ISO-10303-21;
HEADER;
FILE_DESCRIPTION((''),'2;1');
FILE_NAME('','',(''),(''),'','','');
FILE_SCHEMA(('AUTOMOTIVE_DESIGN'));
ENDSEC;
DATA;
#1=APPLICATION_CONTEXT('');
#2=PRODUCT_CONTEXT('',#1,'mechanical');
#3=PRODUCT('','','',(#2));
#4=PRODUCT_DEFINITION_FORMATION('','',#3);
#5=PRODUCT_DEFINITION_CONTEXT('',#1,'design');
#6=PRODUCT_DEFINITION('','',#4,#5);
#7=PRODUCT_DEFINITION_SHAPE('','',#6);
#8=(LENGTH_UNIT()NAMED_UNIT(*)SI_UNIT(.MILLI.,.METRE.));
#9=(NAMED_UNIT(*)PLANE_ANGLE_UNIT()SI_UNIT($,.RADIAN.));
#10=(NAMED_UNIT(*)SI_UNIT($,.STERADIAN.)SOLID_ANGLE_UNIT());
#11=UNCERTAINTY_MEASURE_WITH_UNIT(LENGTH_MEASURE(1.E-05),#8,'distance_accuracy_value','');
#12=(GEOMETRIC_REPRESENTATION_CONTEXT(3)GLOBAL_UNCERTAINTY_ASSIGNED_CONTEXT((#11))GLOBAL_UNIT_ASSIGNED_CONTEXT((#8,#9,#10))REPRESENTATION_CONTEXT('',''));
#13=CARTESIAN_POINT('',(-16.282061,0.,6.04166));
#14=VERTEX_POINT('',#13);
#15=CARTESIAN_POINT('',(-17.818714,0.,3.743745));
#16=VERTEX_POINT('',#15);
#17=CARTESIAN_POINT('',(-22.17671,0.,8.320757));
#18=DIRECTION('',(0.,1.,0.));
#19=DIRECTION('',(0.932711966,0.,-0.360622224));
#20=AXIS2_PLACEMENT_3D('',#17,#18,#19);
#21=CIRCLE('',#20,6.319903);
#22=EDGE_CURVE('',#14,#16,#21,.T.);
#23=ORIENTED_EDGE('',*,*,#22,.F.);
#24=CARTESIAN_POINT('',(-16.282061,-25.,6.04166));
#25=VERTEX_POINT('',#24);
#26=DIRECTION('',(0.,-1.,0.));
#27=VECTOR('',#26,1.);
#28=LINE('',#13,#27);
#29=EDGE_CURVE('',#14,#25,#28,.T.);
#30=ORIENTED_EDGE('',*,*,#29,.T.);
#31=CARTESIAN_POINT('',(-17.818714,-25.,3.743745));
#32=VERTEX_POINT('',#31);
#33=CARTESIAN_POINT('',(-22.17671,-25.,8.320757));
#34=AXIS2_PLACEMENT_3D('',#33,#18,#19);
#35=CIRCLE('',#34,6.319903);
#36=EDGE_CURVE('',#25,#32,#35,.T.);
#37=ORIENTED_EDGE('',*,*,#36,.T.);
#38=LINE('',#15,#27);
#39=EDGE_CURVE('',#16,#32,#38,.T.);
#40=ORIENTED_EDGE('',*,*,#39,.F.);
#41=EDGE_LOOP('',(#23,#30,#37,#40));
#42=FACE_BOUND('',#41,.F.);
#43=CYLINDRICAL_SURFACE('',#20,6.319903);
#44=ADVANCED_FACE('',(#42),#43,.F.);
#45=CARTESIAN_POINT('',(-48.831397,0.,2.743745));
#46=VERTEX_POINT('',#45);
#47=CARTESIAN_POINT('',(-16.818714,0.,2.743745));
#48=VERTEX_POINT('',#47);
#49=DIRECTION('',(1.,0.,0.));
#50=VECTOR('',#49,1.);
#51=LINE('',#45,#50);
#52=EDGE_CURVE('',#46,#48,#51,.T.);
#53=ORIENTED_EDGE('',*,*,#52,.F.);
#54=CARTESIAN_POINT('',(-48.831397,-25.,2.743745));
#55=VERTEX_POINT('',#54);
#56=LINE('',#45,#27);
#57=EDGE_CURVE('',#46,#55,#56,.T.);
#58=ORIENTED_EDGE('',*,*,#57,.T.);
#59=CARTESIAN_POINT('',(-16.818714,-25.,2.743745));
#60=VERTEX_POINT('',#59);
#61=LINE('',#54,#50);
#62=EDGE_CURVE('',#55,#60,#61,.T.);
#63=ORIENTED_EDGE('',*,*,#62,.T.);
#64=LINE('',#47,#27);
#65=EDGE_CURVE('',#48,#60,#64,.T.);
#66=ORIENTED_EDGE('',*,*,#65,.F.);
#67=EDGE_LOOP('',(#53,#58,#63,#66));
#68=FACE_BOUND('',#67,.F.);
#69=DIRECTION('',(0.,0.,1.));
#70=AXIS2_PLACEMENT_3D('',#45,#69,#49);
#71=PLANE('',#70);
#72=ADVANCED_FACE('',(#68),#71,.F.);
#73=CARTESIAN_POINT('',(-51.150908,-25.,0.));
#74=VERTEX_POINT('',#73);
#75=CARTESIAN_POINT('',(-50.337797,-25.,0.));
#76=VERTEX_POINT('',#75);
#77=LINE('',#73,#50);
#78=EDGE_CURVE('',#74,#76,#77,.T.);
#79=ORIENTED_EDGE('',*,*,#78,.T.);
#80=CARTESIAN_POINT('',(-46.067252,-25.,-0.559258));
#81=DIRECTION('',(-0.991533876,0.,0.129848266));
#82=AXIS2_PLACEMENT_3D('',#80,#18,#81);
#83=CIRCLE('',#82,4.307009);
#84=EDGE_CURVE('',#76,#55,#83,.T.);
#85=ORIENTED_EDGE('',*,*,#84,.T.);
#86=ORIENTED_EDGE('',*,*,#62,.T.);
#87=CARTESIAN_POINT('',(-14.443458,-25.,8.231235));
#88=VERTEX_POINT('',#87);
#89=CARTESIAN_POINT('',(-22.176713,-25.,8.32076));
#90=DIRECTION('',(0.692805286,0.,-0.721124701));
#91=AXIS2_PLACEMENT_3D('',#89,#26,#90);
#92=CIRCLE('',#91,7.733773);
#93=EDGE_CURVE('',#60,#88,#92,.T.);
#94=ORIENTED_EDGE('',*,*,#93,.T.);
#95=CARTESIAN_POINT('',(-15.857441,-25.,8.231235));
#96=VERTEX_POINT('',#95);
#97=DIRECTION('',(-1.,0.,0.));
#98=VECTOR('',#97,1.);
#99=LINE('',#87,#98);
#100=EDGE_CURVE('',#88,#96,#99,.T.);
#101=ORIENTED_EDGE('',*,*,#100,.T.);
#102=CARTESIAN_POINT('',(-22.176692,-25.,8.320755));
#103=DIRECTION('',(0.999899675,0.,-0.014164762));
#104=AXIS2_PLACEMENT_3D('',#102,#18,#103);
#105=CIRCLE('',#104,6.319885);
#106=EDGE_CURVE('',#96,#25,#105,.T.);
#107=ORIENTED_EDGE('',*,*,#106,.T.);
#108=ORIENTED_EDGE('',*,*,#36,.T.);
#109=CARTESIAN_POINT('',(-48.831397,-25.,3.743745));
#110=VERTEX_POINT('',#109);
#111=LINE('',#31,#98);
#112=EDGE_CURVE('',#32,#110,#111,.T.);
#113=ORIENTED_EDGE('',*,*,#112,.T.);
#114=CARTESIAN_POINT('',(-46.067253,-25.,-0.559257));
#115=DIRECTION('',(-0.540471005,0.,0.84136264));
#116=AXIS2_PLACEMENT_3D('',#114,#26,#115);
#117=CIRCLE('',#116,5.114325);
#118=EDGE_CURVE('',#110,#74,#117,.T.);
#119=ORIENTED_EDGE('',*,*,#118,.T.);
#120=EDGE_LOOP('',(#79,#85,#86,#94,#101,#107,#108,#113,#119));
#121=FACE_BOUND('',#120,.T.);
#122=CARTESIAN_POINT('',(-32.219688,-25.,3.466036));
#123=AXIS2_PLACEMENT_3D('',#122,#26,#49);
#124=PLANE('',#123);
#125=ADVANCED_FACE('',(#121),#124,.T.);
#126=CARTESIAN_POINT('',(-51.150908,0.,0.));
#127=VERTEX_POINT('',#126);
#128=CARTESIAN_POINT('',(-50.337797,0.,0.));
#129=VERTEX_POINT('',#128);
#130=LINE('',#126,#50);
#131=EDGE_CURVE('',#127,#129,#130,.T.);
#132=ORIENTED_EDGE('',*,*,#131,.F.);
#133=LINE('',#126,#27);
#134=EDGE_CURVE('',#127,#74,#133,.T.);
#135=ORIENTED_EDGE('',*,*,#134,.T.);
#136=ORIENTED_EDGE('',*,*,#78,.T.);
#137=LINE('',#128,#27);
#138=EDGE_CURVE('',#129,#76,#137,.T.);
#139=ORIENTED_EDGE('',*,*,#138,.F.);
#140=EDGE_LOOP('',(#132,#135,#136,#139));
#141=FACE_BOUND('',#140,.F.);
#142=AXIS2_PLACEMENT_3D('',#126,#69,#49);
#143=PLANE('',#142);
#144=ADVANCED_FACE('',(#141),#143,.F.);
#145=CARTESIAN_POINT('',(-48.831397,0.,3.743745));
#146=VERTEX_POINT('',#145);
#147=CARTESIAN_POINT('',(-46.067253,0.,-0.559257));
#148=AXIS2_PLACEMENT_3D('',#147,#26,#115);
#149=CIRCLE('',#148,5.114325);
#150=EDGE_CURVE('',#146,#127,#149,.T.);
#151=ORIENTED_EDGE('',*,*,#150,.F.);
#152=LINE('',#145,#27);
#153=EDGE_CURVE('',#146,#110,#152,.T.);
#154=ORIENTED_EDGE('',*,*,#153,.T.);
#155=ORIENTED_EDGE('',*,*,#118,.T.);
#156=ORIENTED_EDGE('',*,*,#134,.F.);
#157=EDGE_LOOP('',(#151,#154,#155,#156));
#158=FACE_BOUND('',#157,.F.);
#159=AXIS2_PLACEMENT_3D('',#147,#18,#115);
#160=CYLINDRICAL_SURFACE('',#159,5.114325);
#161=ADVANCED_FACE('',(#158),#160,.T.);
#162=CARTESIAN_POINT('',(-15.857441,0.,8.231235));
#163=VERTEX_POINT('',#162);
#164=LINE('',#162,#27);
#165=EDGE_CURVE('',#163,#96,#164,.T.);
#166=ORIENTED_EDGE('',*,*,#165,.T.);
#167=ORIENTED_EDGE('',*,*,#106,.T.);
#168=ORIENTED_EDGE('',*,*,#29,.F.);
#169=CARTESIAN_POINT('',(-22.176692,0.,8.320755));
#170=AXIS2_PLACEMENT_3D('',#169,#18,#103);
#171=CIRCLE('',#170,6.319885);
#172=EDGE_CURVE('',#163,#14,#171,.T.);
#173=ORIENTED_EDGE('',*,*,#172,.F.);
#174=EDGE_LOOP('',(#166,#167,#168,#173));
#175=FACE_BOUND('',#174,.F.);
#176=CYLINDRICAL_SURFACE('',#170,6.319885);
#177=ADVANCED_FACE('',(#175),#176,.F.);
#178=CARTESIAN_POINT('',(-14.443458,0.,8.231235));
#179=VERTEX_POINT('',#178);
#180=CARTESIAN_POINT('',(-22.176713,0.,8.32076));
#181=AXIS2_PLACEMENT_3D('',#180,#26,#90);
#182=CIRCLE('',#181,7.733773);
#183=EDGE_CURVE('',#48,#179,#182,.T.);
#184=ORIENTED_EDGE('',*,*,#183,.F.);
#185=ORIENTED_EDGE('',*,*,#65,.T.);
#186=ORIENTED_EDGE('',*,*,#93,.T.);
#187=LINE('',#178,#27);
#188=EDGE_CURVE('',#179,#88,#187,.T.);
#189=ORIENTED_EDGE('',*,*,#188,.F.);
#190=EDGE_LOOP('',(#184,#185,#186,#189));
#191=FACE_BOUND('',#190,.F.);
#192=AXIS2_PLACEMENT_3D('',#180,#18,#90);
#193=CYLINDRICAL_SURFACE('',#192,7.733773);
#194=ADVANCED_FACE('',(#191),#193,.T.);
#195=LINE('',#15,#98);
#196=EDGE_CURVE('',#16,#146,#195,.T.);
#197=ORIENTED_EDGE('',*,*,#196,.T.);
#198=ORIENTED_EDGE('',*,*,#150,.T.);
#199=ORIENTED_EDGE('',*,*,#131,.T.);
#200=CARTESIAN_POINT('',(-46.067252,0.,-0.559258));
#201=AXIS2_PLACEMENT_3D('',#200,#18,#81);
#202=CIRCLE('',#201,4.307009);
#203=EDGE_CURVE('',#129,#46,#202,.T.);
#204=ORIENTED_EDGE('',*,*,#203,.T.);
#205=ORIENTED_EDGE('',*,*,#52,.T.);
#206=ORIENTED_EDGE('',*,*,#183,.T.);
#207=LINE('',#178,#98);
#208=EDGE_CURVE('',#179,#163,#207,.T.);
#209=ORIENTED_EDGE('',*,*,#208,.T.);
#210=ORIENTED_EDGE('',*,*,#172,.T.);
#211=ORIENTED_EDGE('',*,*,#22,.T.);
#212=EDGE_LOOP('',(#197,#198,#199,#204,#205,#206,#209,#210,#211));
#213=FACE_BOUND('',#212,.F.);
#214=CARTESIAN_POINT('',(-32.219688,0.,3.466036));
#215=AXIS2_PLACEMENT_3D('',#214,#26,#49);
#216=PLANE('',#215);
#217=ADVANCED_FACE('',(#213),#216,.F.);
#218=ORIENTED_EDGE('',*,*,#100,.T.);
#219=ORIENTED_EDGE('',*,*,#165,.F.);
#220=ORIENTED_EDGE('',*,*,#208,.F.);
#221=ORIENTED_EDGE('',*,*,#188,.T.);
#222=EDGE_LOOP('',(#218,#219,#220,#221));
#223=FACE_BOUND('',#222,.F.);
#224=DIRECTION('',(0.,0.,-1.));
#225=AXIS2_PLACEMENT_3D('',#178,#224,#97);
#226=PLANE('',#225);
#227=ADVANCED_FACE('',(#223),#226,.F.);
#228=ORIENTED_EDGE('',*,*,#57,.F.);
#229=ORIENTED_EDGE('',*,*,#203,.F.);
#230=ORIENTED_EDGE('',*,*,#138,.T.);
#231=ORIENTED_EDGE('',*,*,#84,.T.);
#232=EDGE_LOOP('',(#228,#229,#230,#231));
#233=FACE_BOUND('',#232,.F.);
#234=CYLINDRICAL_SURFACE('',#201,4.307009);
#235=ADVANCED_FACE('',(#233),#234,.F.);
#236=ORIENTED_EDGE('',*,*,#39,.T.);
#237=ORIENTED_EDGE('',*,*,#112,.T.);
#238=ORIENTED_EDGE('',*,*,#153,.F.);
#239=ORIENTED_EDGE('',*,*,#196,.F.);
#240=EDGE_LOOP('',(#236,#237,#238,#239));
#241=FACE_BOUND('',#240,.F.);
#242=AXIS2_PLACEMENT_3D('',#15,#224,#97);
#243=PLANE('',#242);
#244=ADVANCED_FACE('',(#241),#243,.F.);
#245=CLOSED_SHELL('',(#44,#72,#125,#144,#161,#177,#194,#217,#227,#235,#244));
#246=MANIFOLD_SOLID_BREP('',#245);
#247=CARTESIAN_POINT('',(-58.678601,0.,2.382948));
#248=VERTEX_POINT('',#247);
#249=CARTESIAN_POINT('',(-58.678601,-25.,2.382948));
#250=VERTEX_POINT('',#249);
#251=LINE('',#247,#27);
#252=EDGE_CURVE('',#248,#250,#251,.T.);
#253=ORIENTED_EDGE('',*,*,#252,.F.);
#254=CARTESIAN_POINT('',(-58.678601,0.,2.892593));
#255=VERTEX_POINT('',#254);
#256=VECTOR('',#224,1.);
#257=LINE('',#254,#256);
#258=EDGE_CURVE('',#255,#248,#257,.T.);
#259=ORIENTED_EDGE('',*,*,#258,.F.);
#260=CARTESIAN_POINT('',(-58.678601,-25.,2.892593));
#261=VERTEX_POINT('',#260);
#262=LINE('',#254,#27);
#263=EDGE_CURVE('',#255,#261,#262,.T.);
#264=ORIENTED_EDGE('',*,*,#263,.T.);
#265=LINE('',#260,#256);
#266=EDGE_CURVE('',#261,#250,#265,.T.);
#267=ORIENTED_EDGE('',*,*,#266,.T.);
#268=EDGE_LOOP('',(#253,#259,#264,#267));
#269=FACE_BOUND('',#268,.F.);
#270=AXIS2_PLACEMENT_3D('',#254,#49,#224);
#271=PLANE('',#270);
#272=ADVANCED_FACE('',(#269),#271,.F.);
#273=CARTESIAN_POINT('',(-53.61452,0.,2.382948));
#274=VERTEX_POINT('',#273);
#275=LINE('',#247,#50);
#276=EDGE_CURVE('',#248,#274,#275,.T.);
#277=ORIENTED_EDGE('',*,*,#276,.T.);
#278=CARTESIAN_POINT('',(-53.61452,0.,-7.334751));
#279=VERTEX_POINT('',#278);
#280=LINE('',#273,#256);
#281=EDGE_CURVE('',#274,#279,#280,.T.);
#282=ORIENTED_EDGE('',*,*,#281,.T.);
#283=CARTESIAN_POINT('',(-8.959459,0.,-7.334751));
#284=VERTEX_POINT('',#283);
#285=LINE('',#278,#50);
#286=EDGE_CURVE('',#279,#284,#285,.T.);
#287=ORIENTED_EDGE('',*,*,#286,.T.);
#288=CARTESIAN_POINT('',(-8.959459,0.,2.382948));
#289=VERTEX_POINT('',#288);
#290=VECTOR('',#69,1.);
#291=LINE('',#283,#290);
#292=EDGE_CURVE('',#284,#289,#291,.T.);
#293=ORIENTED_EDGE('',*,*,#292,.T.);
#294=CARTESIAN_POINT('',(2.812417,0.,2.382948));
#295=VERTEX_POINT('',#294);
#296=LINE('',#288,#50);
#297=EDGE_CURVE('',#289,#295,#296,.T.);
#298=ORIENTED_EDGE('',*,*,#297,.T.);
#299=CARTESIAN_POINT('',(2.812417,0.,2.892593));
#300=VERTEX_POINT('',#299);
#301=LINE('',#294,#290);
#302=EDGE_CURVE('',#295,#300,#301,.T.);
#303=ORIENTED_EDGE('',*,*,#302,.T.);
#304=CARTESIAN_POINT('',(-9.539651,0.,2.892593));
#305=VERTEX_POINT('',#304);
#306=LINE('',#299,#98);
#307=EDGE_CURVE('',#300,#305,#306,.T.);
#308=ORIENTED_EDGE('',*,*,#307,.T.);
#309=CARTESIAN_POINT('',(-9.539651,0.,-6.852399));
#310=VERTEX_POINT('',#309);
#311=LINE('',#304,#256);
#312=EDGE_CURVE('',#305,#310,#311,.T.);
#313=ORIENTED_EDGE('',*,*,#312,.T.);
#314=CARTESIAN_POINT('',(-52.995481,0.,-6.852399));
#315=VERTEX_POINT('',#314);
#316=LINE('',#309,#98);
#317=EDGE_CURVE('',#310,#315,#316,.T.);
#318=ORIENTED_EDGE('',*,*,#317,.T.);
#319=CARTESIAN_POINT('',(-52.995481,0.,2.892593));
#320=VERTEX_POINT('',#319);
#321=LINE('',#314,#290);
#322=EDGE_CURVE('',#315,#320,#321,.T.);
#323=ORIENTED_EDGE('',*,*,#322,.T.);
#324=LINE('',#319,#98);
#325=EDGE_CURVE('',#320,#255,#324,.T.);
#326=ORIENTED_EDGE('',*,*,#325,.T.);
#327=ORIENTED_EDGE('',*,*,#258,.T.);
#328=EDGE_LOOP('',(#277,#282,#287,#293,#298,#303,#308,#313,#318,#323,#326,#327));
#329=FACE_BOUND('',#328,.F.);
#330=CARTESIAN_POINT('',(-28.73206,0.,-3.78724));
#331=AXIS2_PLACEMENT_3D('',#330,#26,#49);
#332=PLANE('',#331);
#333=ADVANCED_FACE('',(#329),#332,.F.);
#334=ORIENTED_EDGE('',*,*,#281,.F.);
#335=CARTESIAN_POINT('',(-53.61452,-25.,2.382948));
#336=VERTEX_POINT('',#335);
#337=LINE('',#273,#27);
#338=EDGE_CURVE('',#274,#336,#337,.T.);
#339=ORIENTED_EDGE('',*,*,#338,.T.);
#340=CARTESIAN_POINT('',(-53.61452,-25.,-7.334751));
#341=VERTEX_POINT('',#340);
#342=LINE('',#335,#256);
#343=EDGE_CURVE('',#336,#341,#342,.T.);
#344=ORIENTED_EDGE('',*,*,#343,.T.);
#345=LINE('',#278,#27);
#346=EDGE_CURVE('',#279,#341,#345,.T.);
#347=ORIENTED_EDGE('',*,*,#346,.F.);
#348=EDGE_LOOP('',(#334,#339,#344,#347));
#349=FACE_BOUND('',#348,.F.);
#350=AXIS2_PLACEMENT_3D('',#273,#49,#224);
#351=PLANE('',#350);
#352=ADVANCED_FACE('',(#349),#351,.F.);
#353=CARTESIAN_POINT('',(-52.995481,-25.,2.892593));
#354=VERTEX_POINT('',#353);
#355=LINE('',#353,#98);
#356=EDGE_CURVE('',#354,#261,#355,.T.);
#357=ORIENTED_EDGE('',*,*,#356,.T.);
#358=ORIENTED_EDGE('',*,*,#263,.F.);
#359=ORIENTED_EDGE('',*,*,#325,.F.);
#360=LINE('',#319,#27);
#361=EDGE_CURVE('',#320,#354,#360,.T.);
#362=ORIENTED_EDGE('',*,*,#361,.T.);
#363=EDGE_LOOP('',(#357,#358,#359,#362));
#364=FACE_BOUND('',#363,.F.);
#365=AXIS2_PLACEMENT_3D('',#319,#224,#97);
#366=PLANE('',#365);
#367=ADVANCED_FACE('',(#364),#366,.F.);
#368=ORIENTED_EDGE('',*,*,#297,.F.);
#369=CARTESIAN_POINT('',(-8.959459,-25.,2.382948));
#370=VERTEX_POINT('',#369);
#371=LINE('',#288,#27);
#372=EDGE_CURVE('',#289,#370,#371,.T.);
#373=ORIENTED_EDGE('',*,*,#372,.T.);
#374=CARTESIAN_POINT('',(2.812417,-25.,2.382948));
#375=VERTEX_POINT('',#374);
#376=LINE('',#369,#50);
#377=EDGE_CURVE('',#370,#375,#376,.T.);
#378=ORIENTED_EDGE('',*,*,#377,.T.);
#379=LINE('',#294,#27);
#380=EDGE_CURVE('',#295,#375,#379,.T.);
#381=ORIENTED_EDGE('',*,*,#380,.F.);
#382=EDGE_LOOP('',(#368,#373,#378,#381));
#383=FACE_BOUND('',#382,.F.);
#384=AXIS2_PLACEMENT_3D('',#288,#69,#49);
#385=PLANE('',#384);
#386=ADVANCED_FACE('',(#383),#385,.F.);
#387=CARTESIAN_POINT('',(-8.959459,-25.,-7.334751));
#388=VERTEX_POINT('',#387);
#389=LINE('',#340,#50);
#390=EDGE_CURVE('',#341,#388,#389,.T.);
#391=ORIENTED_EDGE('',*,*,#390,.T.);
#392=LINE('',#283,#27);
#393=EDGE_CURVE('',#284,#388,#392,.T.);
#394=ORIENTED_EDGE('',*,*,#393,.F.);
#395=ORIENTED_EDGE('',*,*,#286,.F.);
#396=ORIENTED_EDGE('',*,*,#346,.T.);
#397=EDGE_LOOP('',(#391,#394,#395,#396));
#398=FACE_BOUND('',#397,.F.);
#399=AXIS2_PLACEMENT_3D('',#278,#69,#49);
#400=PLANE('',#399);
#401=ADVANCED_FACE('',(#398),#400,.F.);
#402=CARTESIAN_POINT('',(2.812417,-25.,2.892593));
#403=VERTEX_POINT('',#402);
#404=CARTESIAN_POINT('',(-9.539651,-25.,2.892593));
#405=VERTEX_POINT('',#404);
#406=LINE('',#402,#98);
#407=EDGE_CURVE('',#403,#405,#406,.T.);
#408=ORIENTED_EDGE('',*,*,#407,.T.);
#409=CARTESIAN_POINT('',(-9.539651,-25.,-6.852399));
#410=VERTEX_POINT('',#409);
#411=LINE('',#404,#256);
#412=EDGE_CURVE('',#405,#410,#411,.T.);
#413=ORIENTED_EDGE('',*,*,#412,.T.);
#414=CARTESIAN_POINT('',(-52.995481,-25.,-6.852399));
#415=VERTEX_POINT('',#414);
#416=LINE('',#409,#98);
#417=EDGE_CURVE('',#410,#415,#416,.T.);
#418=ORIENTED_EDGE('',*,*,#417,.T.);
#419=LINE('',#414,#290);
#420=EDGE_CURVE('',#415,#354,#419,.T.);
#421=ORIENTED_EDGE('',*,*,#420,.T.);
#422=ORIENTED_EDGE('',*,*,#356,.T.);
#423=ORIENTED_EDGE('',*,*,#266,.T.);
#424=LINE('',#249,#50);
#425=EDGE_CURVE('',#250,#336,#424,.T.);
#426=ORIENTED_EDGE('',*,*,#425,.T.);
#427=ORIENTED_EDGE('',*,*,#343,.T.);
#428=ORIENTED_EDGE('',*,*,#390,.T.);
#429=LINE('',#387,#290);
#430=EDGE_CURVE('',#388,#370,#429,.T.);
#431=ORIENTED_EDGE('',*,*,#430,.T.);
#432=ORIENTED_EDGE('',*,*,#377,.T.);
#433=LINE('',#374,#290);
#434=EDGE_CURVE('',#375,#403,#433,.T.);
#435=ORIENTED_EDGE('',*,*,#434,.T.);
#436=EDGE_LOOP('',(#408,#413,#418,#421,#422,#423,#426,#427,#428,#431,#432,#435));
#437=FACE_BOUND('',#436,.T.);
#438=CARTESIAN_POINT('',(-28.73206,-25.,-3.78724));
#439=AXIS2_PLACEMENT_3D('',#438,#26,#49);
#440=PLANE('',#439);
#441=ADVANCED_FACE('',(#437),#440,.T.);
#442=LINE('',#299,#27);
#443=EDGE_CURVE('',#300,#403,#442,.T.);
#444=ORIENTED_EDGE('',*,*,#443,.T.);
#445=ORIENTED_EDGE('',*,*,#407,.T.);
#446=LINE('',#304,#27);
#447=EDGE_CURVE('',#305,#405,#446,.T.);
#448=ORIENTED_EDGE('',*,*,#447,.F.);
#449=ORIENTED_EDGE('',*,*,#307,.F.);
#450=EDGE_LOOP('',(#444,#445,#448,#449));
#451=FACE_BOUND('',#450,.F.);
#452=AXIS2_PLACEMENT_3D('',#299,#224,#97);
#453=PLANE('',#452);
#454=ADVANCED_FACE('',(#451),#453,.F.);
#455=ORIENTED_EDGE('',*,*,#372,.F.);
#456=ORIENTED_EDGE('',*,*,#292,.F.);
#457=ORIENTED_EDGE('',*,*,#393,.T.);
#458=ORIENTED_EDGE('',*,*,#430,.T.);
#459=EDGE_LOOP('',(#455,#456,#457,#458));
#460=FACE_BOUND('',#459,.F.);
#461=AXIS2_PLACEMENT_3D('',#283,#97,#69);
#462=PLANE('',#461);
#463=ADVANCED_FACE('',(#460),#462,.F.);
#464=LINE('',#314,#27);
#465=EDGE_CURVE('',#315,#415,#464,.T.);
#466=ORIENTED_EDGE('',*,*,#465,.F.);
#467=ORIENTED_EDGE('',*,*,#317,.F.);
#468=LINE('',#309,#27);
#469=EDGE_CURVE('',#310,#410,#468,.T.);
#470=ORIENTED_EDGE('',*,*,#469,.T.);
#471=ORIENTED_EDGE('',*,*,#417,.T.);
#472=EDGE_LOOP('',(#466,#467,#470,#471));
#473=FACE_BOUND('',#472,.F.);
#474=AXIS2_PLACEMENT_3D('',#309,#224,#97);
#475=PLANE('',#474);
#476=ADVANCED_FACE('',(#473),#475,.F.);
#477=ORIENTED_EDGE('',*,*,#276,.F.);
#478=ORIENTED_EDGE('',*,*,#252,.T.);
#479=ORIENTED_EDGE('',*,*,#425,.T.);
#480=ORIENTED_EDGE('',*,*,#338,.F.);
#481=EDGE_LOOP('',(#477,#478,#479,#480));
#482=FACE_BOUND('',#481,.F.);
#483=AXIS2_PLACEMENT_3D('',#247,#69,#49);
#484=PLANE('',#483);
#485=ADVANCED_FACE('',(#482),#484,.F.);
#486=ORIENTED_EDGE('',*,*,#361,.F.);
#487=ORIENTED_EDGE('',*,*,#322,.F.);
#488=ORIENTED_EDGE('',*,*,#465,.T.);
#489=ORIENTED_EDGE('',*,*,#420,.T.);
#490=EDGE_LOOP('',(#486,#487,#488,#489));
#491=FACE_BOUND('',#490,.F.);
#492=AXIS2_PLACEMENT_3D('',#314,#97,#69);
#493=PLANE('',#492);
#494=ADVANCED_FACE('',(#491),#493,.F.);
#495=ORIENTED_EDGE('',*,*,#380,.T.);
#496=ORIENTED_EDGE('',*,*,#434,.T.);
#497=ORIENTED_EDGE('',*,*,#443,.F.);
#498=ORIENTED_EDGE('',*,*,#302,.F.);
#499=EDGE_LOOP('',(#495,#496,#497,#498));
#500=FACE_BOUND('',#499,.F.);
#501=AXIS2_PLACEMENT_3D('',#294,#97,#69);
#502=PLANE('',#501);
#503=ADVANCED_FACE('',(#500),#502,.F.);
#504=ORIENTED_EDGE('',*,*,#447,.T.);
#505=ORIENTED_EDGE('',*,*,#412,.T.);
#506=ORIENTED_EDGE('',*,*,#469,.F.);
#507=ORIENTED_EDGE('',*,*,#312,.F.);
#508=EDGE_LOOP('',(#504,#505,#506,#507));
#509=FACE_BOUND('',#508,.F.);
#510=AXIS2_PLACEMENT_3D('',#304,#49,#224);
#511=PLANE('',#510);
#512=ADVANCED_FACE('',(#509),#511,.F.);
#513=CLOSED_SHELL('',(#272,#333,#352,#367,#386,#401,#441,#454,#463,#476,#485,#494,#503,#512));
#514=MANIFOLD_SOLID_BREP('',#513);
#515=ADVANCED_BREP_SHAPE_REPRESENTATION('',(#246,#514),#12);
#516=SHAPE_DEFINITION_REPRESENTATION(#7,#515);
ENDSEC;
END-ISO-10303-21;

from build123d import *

# Parameters (mm, degrees)
F1_DEPTH = 25
F3_DEPTH = 25


with BuildPart() as f1:
    # F0 (on Front) → F1 (new body)
    with BuildSketch(Plane.XZ):
        with BuildLine():
            Line((-48.831397, 2.743745), (-16.818714, 2.743745))
            ThreePointArc((-16.818714, 2.743745), (-15.079293, 5.248647), (-14.443458, 8.231235))
            Line((-14.443458, 8.231235), (-15.857441, 8.231235))
            ThreePointArc((-15.857441, 8.231235), (-15.972396, 7.117568), (-16.282061, 6.04166))
            ThreePointArc((-16.282061, 6.04166), (-16.923208, 4.807655), (-17.818714, 3.743745))
            Line((-17.818714, 3.743745), (-45.881545, 3.743745))
            Line((-45.881545, 3.743745), (-46.252962, 3.743745))
            Line((-46.252962, 3.743745), (-48.831397, 3.743745))
            ThreePointArc((-48.831397, 3.743745), (-50.414769, 2.134332), (-51.150908, 0))
            Line((-51.150908, 0), (-50.337797, 0))
            ThreePointArc((-50.337797, 0), (-49.842666, 1.51356), (-48.831397, 2.743745))
        make_face()
    extrude(amount=F1_DEPTH)


with BuildPart() as f3:
    # F2 (on Front) → F3 (new body)
    with BuildSketch(Plane.XZ):
        Polygon((-52.995481, -6.852399), (-52.995481, 2.892593), (-58.678601, 2.892593), (-58.678601, 2.382948), (-53.61452, 2.382948), (-53.61452, -7.334751), (-8.959459, -7.334751), (-8.959459, 2.382948), (2.812417, 2.382948), (2.812417, 2.892593), (-9.539651, 2.892593), (-9.539651, -6.852399), align=None)
    extrude(amount=F3_DEPTH)


solid = Compound([f1.part, f3.part])
